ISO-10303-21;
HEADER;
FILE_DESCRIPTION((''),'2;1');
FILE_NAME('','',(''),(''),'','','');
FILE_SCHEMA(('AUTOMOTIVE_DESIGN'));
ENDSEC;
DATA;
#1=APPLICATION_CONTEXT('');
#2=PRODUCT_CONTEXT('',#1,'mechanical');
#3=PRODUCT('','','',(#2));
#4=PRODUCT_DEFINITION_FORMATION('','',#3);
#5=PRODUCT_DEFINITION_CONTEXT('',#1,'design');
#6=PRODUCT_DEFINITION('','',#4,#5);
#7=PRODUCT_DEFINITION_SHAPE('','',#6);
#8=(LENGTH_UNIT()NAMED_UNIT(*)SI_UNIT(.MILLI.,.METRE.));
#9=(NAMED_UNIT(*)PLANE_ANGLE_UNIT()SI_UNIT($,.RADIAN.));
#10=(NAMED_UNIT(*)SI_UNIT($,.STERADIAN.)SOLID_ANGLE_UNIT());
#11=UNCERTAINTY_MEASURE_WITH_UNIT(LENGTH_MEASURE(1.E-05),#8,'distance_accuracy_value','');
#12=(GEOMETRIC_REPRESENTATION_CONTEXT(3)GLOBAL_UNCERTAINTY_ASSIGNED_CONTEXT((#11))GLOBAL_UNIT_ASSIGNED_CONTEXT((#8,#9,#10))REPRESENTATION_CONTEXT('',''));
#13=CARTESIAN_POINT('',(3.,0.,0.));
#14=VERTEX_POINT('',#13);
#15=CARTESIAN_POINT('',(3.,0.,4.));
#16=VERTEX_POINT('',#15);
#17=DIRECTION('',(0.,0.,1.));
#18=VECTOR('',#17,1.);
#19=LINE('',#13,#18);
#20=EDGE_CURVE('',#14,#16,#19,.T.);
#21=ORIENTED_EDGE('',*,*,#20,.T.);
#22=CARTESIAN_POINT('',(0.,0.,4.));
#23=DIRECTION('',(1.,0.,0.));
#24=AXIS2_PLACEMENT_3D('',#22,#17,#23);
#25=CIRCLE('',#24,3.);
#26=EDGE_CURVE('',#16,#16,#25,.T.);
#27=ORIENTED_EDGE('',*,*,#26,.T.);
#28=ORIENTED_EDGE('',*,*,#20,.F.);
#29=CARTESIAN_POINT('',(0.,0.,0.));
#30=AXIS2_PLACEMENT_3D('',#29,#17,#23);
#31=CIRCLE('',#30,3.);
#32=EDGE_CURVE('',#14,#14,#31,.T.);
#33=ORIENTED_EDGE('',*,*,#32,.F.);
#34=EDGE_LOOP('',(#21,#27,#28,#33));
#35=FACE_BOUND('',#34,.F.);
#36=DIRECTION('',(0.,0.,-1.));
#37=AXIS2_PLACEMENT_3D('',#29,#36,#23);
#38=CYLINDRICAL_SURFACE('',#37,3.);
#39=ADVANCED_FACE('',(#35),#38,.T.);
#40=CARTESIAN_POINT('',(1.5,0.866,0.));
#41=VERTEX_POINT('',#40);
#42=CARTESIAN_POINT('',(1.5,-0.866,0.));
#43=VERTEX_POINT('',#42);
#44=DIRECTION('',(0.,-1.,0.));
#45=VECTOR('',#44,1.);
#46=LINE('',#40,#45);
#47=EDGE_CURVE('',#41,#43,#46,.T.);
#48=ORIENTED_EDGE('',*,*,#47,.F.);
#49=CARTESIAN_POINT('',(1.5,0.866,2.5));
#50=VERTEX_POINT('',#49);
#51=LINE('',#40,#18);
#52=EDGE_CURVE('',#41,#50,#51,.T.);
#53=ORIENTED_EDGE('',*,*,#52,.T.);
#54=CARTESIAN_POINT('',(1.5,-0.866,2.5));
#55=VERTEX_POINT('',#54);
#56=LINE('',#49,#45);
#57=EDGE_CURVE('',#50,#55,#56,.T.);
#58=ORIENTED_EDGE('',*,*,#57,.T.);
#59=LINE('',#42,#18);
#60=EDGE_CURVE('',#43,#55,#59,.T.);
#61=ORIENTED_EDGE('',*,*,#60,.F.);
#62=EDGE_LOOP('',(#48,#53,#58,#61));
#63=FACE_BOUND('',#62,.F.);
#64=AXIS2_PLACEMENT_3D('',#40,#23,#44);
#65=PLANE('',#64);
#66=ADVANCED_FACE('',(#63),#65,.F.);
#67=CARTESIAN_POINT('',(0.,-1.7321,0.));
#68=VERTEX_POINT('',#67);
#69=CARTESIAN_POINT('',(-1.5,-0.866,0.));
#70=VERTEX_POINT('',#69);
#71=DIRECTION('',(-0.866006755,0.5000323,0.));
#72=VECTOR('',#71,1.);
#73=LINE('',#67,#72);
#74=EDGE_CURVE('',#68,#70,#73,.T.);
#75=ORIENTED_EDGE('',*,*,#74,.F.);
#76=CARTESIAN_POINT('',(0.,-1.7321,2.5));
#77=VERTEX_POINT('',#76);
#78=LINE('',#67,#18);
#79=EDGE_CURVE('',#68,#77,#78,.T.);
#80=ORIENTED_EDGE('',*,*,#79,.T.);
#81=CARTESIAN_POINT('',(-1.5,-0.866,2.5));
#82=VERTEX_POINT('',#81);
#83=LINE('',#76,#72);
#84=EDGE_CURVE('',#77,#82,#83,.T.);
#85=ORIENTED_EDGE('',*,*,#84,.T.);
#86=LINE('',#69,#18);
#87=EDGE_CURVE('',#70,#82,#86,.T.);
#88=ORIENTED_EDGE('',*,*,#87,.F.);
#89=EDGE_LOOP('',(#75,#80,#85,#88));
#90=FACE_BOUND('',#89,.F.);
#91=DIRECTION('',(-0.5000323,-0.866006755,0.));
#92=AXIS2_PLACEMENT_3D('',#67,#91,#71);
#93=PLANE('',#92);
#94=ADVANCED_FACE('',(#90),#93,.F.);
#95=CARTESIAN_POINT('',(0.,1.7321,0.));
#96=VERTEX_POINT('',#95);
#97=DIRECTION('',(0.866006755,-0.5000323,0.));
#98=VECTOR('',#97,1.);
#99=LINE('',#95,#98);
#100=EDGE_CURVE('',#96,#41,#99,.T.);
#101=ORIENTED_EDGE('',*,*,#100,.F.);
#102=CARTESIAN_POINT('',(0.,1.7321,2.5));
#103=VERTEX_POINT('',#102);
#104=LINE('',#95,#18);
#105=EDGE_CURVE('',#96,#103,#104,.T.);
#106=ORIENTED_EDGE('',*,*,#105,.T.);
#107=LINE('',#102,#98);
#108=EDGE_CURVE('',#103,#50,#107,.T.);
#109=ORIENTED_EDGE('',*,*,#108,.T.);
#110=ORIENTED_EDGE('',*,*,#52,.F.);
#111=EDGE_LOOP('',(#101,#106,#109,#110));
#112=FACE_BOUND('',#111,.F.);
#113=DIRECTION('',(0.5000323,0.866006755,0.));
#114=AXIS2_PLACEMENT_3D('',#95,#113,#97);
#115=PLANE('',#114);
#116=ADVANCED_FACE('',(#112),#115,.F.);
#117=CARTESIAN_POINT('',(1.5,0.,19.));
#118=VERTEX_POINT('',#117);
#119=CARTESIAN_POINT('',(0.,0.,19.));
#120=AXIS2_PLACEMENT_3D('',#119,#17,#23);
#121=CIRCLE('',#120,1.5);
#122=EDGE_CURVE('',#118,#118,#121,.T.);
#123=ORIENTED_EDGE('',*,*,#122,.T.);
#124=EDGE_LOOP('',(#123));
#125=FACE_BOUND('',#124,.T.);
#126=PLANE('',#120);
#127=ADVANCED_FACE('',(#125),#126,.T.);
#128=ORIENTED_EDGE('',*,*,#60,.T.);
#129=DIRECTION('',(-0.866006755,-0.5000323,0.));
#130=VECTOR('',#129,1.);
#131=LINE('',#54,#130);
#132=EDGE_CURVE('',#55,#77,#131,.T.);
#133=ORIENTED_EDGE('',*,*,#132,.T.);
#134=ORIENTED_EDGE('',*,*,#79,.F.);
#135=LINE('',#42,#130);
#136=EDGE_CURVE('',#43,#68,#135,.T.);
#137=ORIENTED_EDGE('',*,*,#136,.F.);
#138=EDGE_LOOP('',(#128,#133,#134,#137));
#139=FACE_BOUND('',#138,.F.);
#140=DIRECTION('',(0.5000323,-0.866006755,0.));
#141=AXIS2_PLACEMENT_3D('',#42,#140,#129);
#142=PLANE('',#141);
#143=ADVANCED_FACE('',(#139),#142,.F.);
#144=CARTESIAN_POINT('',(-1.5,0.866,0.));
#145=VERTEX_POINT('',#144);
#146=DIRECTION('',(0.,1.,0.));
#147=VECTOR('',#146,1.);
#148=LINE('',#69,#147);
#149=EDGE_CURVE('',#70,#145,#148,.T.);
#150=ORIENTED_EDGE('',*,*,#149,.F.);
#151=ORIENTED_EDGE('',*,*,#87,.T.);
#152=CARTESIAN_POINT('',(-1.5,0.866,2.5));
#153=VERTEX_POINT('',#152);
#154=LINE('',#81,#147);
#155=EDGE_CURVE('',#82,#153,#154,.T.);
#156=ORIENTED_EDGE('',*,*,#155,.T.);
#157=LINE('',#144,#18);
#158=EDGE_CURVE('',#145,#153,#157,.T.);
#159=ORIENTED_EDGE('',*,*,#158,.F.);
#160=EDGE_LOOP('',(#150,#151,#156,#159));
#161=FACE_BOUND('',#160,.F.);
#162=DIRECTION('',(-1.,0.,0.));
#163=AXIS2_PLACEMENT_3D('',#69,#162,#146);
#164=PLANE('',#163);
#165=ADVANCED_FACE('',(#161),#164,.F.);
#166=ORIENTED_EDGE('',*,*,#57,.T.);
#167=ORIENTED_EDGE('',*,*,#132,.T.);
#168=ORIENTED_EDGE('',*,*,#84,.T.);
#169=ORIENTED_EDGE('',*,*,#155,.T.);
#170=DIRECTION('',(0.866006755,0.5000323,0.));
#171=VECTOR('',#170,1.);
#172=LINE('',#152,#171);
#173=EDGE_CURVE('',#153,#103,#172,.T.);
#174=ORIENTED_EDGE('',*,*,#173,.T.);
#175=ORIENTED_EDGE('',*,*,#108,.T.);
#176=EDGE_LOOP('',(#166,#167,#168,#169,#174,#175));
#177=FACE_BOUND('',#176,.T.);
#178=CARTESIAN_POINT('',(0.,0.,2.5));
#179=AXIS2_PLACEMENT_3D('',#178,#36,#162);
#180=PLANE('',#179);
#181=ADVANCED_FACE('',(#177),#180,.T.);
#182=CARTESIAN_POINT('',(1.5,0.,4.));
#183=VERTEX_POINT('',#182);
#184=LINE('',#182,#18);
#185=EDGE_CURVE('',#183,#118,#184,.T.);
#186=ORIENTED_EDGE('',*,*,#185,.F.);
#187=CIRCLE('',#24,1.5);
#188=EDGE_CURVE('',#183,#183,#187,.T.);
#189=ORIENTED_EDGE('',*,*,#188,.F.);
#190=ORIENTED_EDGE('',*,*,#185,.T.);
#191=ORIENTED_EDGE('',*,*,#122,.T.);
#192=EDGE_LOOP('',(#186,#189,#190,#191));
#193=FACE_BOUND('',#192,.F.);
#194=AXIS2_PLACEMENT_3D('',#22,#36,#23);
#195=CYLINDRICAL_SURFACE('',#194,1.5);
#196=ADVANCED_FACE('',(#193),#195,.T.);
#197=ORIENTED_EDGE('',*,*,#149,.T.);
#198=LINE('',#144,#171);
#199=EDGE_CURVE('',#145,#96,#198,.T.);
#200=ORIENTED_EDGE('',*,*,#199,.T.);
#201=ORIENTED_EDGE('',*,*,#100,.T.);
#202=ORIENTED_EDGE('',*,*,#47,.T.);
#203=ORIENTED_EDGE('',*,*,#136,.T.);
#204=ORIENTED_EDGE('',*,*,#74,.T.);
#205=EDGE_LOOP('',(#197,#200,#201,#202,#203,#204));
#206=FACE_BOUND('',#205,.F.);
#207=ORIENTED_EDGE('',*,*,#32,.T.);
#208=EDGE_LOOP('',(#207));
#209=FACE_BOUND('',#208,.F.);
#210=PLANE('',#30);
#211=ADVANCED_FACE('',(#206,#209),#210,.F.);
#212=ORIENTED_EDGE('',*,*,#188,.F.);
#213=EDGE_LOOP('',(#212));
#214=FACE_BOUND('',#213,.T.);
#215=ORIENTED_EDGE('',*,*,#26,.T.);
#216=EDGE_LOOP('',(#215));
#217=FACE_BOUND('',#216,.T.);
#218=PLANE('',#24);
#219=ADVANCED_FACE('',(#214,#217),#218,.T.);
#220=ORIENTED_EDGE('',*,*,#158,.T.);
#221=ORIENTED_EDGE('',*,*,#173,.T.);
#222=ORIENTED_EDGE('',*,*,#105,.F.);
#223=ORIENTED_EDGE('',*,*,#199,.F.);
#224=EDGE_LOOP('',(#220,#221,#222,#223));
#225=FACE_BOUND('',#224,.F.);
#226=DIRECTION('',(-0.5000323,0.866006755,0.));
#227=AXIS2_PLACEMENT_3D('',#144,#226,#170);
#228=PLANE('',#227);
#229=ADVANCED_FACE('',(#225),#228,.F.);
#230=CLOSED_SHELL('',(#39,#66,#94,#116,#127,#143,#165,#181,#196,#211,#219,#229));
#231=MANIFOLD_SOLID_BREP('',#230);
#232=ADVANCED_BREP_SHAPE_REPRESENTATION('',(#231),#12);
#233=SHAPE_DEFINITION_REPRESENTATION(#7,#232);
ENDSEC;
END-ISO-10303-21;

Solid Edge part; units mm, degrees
sketch "Sketch1" plane through (0, 0, 0) normal (0, 0, 1) x (1, 0, 0)
  circle A0 centre (0, 0) radius 3
  dimension "D1" = 6
extrude "Protrusion1" add sketch "Sketch1" along normal blind 4
sketch "Sketch2" plane through (0, 0, 4) normal (0, 0, 1) x (1, 0, 0)
  circle A0 centre (0, 0) radius 1.5
  dimension "D1" = 3
extrude "Bult" add sketch "Sketch2" along normal blind 15
sketch "Sketch3" plane through (0, 0, 0) normal (0, 0, -1) x (1, 0, 0)
  line L0 (1.5, 0.866) -> (0, 1.7321)
  line L1 (0, 1.7321) -> (-1.5, 0.866)
  line L2 (-1.5, 0.866) -> (-1.5, -0.866)
  line L3 (-1.5, -0.866) -> (0, -1.7321)
  line L4 (0, -1.7321) -> (1.5, -0.866)
  line L5 (1.5, -0.866) -> (1.5, 0.866)
  dimension "D1" = 3
  dimension "D2" = 1.5
extrude "Försänkning_skruv" cut sketch "Sketch3" against normal blind 2.5
